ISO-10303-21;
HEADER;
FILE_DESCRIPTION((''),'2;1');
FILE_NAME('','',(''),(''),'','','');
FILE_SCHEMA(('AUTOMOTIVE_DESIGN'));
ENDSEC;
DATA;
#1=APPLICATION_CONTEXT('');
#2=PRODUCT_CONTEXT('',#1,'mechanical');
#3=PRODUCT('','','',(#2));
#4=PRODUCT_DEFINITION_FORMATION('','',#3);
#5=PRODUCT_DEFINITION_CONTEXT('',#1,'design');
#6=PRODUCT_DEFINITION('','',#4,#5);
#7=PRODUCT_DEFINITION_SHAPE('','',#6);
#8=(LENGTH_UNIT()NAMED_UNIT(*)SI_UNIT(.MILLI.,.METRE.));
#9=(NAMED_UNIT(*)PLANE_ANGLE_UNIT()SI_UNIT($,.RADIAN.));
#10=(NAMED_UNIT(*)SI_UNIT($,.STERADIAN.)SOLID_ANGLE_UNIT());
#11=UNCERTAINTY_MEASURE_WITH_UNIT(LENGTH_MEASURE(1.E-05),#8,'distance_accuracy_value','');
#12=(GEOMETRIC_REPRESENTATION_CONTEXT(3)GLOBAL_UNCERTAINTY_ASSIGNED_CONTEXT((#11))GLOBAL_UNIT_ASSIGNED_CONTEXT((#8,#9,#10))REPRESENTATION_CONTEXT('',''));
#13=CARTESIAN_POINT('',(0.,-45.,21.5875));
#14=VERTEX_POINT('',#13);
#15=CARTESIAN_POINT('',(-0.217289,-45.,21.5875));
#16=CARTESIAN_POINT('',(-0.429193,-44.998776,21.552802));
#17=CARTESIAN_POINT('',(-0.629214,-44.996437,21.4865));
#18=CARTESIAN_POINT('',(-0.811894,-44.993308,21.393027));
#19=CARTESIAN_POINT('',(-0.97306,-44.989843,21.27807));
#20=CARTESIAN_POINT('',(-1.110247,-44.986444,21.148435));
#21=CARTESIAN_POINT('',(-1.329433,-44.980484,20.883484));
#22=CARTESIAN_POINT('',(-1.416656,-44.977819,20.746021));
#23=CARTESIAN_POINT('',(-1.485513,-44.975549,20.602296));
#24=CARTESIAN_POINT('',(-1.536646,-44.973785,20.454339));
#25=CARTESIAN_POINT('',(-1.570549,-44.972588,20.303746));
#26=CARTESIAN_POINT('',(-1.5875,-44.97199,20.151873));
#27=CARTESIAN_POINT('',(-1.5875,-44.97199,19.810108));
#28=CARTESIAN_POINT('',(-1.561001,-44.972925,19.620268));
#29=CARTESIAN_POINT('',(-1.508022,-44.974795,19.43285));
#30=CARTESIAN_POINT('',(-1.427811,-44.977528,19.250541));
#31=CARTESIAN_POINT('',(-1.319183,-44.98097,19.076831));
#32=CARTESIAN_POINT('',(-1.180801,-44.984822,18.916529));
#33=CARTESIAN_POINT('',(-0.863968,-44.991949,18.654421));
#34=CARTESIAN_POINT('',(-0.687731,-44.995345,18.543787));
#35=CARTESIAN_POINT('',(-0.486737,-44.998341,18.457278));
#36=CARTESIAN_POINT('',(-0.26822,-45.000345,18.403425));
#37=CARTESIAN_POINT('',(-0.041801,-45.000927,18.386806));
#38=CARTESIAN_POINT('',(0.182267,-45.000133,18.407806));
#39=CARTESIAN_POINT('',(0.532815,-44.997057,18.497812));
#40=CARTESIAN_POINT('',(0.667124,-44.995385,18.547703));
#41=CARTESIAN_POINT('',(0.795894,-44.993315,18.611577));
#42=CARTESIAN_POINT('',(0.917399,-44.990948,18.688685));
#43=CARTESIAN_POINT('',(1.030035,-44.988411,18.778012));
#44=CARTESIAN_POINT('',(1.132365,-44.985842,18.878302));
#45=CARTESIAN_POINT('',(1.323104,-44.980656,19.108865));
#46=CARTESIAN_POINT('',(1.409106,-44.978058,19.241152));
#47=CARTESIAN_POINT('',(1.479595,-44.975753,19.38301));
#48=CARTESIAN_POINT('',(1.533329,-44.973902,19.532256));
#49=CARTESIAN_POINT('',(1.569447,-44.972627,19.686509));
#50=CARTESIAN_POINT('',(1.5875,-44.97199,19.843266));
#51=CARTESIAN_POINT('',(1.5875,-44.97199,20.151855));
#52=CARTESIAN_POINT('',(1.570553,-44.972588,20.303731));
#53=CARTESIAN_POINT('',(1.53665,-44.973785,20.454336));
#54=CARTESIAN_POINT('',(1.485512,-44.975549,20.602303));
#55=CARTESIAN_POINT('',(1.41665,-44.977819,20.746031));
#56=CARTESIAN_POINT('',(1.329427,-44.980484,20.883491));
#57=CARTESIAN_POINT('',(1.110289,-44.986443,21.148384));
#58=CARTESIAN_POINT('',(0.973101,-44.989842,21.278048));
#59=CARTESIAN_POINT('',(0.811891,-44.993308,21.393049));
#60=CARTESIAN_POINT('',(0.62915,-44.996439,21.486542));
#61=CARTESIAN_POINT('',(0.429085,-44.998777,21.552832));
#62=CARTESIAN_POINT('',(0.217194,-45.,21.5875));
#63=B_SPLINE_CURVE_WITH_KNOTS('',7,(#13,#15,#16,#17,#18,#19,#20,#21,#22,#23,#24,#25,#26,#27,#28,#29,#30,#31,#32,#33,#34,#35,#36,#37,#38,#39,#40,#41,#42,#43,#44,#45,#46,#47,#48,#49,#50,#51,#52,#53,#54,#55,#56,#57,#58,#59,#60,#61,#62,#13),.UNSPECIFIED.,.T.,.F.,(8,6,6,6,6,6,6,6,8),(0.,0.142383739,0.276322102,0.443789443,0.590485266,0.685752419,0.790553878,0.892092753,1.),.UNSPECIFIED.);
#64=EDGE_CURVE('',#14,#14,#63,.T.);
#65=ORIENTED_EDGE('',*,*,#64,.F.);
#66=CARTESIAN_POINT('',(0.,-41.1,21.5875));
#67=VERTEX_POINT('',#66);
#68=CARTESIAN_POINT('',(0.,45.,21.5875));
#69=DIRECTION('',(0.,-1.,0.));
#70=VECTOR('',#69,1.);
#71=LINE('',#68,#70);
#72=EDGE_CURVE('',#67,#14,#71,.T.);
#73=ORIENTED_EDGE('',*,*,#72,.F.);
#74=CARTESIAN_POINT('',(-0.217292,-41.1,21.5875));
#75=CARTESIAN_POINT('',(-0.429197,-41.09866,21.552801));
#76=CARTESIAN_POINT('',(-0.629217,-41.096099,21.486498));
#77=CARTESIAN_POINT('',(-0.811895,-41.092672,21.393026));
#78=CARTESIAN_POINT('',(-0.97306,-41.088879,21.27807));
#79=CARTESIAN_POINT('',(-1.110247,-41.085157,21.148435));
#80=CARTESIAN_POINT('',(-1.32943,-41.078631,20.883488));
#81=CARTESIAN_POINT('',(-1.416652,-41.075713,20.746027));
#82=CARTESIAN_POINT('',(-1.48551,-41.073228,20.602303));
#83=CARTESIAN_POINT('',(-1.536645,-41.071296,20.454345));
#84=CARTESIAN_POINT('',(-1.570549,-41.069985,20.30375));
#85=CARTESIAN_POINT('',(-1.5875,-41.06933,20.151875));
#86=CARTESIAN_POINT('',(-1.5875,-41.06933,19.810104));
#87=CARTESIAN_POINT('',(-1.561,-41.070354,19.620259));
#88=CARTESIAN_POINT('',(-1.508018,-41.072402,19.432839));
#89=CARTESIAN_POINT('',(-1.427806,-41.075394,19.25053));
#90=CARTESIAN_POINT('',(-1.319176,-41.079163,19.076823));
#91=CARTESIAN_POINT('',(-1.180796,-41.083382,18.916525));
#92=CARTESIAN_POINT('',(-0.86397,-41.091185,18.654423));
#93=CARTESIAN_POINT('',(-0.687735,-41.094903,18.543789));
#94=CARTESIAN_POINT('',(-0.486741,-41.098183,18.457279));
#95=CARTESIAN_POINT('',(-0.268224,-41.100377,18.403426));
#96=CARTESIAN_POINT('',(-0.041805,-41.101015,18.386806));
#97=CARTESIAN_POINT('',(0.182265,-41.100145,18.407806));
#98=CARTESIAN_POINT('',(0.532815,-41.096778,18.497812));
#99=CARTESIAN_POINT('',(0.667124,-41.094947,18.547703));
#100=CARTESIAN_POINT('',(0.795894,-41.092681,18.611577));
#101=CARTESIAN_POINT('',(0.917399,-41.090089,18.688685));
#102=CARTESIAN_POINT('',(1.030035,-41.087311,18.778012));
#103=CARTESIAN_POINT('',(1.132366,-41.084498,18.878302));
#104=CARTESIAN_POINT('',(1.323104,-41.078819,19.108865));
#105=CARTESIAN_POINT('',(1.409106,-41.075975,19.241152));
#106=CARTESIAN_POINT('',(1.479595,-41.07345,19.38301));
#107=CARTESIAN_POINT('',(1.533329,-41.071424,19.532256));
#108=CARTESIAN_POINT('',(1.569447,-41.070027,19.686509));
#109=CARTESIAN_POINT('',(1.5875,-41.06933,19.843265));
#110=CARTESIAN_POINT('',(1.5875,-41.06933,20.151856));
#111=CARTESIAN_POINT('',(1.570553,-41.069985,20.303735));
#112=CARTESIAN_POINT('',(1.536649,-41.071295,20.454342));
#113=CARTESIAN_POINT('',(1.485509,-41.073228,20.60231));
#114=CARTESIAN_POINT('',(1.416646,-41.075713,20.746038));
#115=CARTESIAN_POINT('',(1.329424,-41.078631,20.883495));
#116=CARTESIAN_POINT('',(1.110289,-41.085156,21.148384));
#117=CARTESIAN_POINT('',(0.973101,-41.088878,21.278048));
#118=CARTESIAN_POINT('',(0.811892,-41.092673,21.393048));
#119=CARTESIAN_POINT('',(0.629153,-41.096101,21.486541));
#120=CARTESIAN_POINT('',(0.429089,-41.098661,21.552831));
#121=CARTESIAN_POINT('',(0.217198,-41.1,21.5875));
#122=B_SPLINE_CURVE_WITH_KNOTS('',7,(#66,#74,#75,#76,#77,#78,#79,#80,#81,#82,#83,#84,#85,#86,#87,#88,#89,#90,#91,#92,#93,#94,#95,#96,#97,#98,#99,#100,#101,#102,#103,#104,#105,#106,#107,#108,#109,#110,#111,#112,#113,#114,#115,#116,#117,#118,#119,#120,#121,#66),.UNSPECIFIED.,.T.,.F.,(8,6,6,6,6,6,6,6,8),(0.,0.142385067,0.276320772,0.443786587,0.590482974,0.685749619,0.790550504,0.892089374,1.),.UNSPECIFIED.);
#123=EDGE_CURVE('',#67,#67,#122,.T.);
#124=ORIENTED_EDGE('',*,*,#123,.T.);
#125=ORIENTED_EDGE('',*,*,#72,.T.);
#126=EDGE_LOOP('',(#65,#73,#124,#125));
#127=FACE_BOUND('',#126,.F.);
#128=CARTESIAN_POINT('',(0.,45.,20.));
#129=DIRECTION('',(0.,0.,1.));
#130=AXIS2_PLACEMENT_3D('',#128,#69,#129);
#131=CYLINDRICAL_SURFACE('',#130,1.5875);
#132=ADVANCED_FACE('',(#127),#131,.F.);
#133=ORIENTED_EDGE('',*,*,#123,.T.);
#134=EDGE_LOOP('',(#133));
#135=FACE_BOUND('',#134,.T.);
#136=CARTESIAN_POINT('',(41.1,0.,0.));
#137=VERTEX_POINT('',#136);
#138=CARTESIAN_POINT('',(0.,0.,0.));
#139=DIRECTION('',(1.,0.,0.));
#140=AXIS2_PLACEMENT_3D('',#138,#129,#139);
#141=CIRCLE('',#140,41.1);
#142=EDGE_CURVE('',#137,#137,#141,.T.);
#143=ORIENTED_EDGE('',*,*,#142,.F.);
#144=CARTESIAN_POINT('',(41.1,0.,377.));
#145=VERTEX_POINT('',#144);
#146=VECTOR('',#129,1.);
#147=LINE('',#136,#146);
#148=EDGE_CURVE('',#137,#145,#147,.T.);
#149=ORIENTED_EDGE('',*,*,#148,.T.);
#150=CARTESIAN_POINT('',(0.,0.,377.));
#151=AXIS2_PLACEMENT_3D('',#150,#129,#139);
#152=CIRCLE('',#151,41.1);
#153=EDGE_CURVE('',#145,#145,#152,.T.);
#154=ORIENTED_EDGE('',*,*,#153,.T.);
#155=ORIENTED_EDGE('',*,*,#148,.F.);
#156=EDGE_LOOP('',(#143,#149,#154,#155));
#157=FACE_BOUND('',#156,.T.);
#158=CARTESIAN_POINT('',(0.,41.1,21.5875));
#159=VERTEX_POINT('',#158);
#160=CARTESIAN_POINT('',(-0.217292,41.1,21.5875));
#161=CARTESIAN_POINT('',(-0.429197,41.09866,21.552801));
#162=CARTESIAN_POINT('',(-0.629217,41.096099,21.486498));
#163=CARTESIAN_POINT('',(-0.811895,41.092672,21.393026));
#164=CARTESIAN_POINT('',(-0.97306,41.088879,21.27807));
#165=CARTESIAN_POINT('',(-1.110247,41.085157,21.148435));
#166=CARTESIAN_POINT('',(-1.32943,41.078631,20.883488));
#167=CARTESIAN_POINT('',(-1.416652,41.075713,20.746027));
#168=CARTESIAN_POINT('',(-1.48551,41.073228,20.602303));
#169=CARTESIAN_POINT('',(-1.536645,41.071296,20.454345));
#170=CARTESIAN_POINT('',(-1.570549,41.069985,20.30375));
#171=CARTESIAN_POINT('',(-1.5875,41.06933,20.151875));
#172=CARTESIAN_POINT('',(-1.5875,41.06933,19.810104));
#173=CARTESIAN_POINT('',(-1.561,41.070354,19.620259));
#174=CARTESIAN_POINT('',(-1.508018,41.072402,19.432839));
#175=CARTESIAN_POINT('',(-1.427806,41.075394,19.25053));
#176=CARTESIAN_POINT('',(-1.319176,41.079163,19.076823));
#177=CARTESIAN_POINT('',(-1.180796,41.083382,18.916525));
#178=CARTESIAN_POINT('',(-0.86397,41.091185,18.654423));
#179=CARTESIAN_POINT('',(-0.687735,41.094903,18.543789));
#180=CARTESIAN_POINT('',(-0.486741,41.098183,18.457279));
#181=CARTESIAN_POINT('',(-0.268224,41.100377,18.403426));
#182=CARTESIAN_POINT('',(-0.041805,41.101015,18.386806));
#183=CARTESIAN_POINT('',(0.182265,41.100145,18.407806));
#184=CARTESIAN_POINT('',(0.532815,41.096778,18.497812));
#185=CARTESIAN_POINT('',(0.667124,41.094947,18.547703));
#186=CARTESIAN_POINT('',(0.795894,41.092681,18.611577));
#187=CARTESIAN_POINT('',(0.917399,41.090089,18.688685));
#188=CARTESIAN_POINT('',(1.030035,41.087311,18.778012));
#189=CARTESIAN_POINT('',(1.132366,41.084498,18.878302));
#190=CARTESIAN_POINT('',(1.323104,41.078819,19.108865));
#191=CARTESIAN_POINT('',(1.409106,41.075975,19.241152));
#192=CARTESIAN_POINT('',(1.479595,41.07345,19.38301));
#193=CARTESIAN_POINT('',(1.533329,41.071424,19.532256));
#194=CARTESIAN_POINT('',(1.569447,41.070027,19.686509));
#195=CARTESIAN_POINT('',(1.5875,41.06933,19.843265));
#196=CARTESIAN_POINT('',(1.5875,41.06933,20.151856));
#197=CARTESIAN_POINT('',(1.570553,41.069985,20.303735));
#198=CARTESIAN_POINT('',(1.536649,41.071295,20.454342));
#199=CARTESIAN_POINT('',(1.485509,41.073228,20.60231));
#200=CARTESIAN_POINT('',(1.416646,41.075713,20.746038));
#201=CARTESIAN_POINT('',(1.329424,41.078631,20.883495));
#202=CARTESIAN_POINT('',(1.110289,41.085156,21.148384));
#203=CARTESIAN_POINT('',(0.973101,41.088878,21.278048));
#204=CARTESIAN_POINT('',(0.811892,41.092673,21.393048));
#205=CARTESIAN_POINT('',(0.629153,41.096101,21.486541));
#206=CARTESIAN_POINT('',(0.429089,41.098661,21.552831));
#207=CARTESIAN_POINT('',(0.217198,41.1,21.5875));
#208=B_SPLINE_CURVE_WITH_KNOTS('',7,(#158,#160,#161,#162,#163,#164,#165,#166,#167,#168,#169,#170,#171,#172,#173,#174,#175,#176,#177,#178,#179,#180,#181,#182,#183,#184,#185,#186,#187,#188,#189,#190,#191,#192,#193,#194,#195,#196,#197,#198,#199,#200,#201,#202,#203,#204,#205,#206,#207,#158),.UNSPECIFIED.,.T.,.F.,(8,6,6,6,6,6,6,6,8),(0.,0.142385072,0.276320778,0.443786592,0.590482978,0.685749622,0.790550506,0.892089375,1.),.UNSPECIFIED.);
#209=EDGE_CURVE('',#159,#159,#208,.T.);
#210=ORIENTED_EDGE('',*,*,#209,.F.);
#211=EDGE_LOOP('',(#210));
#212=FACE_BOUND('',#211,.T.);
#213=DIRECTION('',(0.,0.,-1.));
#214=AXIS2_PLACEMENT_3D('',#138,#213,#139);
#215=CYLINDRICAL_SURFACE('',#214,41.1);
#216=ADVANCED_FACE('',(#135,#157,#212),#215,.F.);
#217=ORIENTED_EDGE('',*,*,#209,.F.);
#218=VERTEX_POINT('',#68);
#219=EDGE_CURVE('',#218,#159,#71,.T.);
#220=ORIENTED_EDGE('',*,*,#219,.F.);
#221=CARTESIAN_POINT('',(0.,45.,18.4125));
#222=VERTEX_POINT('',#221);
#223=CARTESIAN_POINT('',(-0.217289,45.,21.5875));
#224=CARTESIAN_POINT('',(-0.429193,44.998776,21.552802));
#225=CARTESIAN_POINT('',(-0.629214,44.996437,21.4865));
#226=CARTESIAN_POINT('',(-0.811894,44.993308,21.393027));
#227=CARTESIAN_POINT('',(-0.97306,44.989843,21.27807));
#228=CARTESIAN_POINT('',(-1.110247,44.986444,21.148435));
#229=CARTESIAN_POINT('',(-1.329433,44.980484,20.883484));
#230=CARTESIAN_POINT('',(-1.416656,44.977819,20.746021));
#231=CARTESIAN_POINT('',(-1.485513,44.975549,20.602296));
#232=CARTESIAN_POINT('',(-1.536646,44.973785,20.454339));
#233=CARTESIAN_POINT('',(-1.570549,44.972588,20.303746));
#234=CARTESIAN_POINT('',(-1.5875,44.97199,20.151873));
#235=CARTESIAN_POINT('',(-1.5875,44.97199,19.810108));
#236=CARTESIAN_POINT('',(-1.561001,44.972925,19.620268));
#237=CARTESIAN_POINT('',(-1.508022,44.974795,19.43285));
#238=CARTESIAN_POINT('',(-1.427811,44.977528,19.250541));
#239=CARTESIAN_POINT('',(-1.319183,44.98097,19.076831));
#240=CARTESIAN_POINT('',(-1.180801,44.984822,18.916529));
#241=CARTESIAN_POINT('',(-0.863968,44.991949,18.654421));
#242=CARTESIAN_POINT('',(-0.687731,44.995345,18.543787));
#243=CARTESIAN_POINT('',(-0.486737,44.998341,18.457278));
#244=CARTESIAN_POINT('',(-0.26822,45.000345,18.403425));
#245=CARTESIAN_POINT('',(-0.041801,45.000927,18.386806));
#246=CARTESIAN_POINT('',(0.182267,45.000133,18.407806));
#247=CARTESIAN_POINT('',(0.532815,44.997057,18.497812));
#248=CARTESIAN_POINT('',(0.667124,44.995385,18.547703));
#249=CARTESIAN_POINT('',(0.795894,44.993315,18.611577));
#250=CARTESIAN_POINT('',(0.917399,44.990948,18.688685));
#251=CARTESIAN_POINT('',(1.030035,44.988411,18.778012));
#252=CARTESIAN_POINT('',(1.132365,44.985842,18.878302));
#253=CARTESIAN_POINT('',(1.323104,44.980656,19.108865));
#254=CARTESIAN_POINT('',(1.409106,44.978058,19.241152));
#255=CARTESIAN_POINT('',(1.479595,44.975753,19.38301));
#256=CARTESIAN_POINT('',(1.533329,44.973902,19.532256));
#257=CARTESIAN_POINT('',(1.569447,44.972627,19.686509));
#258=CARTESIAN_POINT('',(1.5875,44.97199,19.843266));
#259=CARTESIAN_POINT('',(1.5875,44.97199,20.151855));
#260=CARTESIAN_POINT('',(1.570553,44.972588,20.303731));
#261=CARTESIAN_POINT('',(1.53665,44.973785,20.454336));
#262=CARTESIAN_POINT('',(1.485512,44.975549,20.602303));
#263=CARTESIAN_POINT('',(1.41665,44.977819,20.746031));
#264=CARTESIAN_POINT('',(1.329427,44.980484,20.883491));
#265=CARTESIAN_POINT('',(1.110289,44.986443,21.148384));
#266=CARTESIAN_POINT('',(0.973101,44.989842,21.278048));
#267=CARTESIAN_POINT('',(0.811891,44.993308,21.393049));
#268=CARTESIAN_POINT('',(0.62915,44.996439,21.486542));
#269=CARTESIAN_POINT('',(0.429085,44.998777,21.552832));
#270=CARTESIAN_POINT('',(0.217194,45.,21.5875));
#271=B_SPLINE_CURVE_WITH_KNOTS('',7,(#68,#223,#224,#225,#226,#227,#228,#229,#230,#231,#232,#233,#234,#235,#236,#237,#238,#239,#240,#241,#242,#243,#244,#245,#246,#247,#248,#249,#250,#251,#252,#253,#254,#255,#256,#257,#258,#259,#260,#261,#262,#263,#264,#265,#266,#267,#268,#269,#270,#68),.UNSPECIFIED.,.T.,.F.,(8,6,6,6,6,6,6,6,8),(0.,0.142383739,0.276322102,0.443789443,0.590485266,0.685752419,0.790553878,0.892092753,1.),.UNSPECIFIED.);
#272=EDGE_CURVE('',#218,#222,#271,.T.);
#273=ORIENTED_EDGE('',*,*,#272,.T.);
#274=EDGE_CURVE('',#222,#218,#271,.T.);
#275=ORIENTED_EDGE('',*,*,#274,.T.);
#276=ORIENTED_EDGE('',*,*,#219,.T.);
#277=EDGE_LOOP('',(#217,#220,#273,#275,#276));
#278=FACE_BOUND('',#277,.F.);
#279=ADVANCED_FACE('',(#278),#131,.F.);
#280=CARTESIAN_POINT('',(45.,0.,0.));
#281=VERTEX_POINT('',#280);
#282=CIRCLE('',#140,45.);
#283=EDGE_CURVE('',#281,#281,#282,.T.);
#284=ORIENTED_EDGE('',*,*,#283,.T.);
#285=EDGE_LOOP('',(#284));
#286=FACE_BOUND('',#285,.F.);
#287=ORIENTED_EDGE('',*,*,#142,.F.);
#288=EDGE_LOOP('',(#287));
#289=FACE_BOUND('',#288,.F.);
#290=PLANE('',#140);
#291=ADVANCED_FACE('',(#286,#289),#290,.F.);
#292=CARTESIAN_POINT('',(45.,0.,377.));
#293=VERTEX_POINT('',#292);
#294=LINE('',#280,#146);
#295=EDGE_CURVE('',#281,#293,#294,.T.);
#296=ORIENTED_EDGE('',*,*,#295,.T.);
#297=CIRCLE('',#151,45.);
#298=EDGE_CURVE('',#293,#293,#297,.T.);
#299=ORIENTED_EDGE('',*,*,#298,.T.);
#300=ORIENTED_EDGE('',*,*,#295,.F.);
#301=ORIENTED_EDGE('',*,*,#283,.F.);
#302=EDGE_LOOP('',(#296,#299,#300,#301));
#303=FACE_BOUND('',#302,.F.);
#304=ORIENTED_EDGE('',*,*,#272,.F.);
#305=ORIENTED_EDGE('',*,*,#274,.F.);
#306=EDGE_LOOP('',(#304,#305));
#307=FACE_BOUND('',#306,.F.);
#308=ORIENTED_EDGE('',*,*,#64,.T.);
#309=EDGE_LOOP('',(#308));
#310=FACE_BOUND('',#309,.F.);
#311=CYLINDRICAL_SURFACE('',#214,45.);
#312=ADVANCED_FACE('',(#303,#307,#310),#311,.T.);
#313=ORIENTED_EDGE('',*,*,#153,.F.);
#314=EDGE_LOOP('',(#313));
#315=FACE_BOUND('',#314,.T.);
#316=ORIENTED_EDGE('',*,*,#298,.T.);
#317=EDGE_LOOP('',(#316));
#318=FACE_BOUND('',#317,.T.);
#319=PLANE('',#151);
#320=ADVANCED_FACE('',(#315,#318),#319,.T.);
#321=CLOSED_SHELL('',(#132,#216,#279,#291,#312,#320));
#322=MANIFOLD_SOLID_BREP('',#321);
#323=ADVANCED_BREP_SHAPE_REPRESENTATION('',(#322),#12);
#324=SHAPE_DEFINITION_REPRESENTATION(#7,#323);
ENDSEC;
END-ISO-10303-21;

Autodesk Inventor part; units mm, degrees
ref_plane "YZ Plane" through (0, 0, 0) normal (1, 0, 0) x (0, 1, 0)
ref_plane "XZ Plane" through (0, 0, 0) normal (0, 1, 0) x (-1, 0, 0)
sketch "Sketch1" plane through (0, 0, 0) normal (0, 0, 1) x (1, 0, 0)
  circle A0 centre (0, 0) radius 45
  circle A1 centre (0, 0) radius 41.1
  dimension "d0" = 90
  dimension "d2" = 3.9
extrude "Extrusion1" add sketch "Sketch1" along normal blind 377
sketch "Sketch2" plane through (0, 0, 377) normal (0, 0, 1) x (1, 0, 0)
  circle A0 centre (0, 0) radius 41.1 projected
  circle A1 centre (0, 0) radius 45 projected
  point P0 (0, 45)
ref_plane "Work Plane1" through (0, 45, 377) normal (0, 1, 0) x (-1, 0, 0)
sketch "Sketch5" plane through (0, 45, 377) normal (0, 1, 0) x (-1, 0, 0)
  circle A0 centre (0, -357) radius 4.4901
  point P0 (0, -377)
  dimension "d25" = 20
hole "nailHole" at (0, 45, 20) direction (0, -1, 0) diameter 3.175 end through all
equation "\"d0\" = sleeveOD"
equation "\"d2\" = sleeveWall"
equation "\"d3\" = sleeveLength"
equation "\"d25\" = nailDelta"
equation "\"sleeveOD\" = 90"
equation "\"sleeveWall\" = 3.9"
equation "\"sleeveLength\" = 377"
equation "\"nailDelta\" = 20"
equation "\"sparLaunchAngle\" = 3.72deg"
properties part number "sleeve_spar_ONLY" material "PVC-Piping"
